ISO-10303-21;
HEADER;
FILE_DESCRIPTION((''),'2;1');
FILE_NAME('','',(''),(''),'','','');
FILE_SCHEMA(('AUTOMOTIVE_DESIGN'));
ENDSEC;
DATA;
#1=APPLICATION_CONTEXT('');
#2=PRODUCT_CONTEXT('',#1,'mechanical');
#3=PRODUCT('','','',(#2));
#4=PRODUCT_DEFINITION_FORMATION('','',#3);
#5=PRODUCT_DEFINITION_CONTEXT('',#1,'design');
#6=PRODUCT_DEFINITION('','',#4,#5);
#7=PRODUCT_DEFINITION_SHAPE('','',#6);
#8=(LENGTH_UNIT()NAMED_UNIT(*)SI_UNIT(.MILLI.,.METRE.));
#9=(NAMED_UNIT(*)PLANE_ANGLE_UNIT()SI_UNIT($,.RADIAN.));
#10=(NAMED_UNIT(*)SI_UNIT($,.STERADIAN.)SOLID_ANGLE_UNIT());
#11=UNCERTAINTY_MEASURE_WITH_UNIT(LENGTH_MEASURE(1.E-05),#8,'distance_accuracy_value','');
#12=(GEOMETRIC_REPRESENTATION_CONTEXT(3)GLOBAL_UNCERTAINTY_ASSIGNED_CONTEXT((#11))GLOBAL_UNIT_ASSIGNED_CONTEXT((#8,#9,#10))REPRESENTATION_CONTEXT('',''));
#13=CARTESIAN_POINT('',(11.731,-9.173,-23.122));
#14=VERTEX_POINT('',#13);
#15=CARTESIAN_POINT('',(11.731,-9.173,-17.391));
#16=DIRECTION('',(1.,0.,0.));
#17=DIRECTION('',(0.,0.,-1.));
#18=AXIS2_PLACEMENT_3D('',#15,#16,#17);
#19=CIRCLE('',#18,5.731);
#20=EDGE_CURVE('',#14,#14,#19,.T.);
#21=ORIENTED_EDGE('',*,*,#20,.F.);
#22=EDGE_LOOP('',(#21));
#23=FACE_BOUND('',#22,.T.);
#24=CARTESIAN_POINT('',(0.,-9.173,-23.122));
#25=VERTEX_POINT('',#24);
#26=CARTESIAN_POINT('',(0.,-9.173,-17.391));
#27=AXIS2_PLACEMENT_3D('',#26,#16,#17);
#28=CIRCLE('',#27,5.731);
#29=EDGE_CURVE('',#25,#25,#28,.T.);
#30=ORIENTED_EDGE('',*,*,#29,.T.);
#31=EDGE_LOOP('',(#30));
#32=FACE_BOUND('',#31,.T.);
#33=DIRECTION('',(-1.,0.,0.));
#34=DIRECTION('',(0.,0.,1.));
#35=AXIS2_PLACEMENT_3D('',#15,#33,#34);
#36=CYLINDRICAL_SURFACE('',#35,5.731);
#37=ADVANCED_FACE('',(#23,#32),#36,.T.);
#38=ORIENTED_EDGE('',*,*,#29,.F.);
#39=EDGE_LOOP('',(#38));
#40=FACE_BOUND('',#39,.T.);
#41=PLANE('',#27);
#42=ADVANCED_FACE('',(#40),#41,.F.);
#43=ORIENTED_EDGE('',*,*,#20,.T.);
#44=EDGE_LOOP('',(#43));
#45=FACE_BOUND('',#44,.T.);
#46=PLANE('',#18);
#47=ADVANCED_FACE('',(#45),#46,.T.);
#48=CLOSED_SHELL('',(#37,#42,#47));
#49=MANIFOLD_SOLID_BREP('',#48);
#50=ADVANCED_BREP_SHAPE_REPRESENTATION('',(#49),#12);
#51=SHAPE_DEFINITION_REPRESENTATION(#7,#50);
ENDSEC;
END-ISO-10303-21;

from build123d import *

# Parameters (mm, degrees)
CURVESKETCH_R   = 5.731
CURVEBOSS_DEPTH = 11.731


with BuildPart() as part:
    # CurveSketch → CurveBoss (new body)
    with BuildSketch(Plane(origin=(0, 0, 0), x_dir=(0, 0, -1), z_dir=(1, 0, 0))):
        with Locations((17.391, -9.173)):
            Circle(CURVESKETCH_R)
    extrude(amount=CURVEBOSS_DEPTH)


solid = part.part
